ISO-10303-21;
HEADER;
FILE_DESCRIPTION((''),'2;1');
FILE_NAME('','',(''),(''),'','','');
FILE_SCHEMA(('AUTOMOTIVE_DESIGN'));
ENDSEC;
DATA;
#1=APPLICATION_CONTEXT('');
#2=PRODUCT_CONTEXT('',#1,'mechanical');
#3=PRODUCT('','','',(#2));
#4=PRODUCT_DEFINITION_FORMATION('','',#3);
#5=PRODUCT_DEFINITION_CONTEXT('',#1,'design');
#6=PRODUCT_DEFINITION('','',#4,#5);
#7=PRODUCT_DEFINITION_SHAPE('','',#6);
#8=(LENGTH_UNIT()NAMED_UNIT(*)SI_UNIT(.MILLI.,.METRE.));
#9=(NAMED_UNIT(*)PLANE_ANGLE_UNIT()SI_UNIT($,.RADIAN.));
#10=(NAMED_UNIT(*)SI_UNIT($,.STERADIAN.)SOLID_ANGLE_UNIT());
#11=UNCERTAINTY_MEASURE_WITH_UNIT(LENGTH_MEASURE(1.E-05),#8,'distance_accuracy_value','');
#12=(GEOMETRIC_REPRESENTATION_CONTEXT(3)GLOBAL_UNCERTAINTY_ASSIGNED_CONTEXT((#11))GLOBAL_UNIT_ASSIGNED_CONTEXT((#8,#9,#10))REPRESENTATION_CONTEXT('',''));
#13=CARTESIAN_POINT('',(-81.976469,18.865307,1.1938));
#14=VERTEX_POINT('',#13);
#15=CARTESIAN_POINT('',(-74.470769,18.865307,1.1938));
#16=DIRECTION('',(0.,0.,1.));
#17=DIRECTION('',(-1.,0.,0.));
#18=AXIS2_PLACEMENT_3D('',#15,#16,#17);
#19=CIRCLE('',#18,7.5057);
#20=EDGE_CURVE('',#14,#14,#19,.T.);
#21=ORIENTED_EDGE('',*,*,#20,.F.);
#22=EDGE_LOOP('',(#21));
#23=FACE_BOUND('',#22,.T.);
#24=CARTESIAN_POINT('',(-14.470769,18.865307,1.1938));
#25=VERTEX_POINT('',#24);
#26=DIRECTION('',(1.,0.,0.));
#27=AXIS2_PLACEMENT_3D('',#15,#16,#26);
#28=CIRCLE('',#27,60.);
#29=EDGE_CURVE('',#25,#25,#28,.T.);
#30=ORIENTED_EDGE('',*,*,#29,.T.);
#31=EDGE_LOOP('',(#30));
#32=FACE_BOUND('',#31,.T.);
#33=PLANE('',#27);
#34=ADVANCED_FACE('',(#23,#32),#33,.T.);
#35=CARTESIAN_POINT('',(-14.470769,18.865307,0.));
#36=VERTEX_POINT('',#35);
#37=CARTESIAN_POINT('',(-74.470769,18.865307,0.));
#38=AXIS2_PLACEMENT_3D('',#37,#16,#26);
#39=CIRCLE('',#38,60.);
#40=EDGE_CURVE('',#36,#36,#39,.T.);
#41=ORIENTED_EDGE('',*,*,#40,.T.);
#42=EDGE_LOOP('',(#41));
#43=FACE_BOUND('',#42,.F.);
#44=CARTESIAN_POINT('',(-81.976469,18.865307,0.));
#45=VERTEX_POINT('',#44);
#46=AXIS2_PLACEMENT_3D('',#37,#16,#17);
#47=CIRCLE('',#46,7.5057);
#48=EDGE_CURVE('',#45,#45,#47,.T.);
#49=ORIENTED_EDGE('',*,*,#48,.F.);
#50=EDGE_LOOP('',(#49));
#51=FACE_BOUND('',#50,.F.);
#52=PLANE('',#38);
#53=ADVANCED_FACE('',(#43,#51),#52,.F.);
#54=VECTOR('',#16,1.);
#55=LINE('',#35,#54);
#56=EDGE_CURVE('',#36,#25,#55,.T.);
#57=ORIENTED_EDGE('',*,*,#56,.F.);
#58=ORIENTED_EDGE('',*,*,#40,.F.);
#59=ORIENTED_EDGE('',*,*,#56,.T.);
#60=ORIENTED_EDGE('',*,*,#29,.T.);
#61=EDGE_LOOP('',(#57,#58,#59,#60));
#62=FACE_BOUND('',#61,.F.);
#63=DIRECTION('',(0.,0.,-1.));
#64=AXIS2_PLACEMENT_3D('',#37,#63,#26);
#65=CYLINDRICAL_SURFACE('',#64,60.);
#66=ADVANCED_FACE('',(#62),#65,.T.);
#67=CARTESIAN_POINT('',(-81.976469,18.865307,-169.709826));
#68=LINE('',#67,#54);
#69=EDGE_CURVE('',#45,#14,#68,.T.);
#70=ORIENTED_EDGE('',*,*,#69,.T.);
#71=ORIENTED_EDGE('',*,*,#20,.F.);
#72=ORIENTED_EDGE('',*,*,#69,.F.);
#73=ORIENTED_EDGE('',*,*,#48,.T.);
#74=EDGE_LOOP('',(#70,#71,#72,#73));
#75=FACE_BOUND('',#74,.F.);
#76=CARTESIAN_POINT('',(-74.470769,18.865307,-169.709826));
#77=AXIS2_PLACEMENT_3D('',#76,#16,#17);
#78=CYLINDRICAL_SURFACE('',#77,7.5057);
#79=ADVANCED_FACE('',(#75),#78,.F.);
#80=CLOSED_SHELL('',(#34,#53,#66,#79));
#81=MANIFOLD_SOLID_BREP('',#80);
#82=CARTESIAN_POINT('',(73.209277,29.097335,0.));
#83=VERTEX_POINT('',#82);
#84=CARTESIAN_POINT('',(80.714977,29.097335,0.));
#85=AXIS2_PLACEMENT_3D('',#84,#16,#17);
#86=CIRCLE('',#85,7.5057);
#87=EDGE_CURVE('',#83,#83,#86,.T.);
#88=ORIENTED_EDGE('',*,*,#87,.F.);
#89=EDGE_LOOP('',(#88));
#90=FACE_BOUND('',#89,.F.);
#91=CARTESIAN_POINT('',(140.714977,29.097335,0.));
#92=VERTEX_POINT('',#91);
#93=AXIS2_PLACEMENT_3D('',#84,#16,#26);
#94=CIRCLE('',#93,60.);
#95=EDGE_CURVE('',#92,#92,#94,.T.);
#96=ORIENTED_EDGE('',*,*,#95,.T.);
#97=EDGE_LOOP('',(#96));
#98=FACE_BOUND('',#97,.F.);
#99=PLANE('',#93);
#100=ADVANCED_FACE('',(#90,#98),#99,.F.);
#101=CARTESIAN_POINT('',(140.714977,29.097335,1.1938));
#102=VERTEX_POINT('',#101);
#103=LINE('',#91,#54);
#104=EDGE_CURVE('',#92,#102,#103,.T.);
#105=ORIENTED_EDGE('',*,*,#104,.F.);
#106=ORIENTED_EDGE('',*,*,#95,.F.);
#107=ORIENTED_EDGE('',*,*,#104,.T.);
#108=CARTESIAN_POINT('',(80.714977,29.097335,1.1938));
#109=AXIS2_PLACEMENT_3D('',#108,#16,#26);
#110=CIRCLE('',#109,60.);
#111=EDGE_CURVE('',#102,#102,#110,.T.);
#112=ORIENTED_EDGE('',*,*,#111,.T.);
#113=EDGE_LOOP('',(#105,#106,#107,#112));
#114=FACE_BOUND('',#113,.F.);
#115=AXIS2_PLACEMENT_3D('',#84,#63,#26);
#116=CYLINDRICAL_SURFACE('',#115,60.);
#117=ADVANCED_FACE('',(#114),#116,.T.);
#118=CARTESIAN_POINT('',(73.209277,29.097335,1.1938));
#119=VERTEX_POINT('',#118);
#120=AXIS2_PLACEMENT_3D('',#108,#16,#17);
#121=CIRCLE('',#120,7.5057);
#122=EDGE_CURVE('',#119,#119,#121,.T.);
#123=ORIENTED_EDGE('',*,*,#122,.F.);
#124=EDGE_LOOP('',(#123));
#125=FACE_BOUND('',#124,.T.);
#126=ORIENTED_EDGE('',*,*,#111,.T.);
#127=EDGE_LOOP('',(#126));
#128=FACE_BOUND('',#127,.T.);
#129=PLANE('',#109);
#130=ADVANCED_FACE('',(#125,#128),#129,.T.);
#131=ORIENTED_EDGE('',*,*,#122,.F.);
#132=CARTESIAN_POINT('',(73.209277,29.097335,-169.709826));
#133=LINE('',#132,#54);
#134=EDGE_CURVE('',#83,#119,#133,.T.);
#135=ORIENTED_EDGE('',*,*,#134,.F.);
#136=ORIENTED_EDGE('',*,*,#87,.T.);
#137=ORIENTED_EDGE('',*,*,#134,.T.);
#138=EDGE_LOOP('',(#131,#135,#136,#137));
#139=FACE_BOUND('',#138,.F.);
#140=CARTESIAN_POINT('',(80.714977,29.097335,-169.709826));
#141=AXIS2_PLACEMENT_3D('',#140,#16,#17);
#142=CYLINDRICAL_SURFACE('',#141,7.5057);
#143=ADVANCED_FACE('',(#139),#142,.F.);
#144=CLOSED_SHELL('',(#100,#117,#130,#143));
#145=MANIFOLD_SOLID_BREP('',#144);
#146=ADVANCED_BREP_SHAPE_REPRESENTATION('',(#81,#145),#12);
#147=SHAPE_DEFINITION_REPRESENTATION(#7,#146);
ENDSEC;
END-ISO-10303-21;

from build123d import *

# Parameters (mm, degrees)
F0_R     = 60
F1_DEPTH = 1.1938
F2_D     = 15.0114
F2_2_D   = 15.0114


with BuildPart() as f1:
    # F0 (on Top) → F1 (new body)
    with BuildSketch(Plane.XY):
        with Locations((-74.4707694169, 18.8653067038)):
            Circle(F0_R)
    extrude(amount=F1_DEPTH)

    # F2 (through all)
    with Locations(Plane(origin=(0, 0, 0), x_dir=(1, 0, 0), z_dir=(0, 0, -1))):
        with Locations((-74.4707694169, -18.8653067038), (80.7149765843, -29.097335006)):
            Hole(F2_D / 2)


with BuildPart() as f1b:
    # F0 (on Top) → F1, piece 2 (new body)
    with BuildSketch(Plane.XY):
        with Locations((80.7149765843, 29.097335006)):
            Circle(F0_R)
    extrude(amount=F1_DEPTH)

    # F2#2 (through all)
    with Locations(Plane(origin=(0, 0, 0), x_dir=(1, 0, 0), z_dir=(0, 0, -1))):
        with Locations((-74.4707694169, -18.8653067038), (80.7149765843, -29.097335006)):
            Hole(F2_2_D / 2)


solid = Compound([f1.part, f1b.part])
